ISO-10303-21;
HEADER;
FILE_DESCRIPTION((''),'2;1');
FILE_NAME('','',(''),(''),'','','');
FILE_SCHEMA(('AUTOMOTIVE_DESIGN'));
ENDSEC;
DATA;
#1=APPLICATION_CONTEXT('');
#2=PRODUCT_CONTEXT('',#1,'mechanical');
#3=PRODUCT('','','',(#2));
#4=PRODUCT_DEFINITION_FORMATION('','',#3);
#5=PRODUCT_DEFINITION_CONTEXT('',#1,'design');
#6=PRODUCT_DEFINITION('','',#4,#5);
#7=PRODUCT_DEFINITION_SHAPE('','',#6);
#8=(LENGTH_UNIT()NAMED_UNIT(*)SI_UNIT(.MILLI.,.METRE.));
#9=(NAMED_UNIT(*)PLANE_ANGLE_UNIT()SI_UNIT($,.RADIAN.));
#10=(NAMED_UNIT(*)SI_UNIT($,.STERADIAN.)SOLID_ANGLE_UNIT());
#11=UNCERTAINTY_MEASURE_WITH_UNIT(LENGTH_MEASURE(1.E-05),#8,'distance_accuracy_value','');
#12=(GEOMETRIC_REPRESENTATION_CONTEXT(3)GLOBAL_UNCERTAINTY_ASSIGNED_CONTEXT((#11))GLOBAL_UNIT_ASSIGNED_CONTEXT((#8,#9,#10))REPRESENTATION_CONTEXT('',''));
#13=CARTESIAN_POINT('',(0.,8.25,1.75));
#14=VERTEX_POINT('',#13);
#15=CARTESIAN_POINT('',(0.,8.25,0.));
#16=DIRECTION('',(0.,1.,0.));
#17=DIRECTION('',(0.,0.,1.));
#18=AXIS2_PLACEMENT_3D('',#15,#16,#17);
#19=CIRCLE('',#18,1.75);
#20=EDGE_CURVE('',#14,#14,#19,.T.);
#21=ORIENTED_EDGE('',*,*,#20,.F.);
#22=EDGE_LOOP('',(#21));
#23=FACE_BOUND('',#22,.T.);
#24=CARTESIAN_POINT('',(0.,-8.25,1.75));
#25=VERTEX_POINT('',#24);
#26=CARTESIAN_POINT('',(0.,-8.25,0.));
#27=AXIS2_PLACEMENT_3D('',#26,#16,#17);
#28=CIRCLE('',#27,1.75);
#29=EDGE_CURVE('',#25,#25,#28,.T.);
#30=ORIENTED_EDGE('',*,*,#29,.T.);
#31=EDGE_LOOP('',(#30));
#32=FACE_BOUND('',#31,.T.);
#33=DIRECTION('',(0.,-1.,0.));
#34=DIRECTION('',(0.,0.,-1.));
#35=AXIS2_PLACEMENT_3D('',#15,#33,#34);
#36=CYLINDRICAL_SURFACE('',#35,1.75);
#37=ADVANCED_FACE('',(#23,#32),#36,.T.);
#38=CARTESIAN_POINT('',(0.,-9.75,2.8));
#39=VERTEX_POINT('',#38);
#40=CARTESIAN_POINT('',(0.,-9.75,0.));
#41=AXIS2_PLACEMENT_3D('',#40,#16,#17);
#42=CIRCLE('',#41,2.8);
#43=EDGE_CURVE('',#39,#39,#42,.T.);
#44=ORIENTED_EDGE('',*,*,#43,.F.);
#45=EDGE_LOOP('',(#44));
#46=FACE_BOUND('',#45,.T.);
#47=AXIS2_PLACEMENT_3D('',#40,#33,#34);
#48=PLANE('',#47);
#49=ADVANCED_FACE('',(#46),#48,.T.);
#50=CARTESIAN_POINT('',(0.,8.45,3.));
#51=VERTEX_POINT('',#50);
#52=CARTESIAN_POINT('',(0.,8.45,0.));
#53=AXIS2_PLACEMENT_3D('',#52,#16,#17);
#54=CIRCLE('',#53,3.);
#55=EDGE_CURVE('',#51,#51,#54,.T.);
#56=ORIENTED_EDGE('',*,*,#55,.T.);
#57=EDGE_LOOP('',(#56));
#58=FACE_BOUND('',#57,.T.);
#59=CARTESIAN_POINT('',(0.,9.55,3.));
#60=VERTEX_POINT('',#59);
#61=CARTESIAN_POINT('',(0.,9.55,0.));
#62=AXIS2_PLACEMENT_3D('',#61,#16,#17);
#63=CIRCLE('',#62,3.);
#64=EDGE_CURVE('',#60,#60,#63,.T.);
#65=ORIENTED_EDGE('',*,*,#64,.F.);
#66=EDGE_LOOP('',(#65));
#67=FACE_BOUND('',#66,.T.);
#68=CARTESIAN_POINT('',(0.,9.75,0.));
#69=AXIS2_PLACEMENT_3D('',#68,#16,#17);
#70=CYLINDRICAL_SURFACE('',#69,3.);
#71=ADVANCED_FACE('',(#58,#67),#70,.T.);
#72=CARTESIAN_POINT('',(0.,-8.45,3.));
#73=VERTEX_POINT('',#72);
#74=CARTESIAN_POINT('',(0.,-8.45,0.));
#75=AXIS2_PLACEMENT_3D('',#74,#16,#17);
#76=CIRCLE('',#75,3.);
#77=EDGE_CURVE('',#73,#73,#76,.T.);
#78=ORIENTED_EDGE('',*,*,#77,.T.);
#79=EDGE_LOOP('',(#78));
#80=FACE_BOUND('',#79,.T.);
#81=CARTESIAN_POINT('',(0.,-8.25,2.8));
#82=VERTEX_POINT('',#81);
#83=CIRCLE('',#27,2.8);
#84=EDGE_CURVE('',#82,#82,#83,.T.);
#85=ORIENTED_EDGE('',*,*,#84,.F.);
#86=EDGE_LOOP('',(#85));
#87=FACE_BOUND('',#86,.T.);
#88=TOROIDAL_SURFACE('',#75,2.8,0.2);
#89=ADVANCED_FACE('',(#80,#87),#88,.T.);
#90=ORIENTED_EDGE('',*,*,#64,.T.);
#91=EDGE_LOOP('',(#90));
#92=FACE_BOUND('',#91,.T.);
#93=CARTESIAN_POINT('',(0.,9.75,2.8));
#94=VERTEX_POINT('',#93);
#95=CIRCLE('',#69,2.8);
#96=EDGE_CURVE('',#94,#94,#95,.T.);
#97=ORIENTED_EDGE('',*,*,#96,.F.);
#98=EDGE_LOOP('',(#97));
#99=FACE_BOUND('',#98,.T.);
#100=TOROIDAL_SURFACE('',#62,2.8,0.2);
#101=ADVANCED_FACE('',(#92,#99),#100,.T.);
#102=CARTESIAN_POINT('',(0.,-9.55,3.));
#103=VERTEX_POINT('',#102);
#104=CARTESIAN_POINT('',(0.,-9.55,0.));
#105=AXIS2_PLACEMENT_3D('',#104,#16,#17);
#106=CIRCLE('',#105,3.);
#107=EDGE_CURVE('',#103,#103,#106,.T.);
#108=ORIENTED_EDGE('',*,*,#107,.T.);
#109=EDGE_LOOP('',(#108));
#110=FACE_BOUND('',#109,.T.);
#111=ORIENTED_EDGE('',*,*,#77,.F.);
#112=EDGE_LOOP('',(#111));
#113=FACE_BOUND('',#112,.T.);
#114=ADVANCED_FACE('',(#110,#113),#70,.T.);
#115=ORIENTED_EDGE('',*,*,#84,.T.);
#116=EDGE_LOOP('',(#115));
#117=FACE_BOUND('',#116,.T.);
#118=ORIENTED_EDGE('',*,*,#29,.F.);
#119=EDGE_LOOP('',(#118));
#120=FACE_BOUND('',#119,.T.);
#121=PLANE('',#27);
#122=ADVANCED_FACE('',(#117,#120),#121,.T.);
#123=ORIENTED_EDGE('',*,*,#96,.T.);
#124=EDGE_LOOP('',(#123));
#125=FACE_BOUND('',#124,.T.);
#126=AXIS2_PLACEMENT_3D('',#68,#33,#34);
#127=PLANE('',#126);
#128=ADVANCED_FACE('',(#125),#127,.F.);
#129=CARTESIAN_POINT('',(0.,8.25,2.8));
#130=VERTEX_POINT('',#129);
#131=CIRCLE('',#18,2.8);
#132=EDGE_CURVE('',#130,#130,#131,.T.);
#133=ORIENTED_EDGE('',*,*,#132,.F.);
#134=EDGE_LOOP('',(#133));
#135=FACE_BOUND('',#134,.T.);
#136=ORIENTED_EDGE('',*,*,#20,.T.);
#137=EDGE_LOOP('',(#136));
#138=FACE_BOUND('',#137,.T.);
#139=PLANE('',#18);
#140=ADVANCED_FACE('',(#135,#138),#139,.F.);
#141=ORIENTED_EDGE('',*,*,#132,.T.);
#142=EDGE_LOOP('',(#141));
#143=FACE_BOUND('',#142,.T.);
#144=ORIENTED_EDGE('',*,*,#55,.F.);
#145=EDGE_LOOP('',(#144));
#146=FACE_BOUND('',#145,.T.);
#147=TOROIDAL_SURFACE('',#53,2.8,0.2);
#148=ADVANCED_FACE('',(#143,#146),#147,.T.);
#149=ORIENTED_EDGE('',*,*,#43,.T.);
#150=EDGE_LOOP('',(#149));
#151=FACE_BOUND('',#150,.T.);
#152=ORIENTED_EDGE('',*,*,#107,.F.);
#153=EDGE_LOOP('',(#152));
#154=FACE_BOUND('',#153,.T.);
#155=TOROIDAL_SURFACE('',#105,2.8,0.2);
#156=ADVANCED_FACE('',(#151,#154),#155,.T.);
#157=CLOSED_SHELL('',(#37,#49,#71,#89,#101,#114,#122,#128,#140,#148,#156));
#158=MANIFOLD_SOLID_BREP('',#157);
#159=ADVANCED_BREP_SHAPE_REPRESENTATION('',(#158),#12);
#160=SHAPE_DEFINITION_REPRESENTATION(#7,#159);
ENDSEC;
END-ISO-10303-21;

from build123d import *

# Parameters (mm, degrees)
SKETCH1_R           = 1.75
BOSS_EXTRUDE1_DEPTH = 8.25


with BuildPart() as part:
    # Sketch1 → Boss-Extrude1 (new, symmetric)
    with BuildSketch(Plane(origin=(0, 0, 0), x_dir=(1, 0, 0), z_dir=(0, 1, 0))):
        with Locations(Location((0, 0, 0), (0, 0, 270))):
            Circle(SKETCH1_R)
    extrude(amount=BOSS_EXTRUDE1_DEPTH, both=True)

    # Sketch2 → Revolve2 (revolve)
    with BuildSketch(Plane.XY, mode=Mode.PRIVATE) as revolve2_sk:
        with BuildLine():
            Line((-2.8, 8.25), (0, 8.25))
            Line((0, 8.25), (0, 9.75))
            Line((0, 9.75), (-2.8, 9.75))
            ThreePointArc((-2.8, 9.75), (-2.941421356, 9.691421356), (-3, 9.55))
            Line((-3, 9.55), (-3, 8.45))
            ThreePointArc((-3, 8.45), (-2.941421356, 8.308578644), (-2.8, 8.25))
        make_face()
        with BuildLine():
            Line((0, -9.75), (0, -8.25))
            Line((0, -8.25), (-2.8, -8.25))
            ThreePointArc((-2.8, -8.25), (-2.941421356, -8.308578644), (-3, -8.45))
            Line((-3, -8.45), (-3, -9.55))
            ThreePointArc((-3, -9.55), (-2.941421356, -9.691421356), (-2.8, -9.75))
            Line((-2.8, -9.75), (0, -9.75))
        make_face()
    revolve(revolve2_sk.sketch.rotate(Axis((0, 9.75, 0), (0, -1, 0)), 270), axis=Axis((0, 9.75, 0), (0, -1, 0)))


solid = part.part
